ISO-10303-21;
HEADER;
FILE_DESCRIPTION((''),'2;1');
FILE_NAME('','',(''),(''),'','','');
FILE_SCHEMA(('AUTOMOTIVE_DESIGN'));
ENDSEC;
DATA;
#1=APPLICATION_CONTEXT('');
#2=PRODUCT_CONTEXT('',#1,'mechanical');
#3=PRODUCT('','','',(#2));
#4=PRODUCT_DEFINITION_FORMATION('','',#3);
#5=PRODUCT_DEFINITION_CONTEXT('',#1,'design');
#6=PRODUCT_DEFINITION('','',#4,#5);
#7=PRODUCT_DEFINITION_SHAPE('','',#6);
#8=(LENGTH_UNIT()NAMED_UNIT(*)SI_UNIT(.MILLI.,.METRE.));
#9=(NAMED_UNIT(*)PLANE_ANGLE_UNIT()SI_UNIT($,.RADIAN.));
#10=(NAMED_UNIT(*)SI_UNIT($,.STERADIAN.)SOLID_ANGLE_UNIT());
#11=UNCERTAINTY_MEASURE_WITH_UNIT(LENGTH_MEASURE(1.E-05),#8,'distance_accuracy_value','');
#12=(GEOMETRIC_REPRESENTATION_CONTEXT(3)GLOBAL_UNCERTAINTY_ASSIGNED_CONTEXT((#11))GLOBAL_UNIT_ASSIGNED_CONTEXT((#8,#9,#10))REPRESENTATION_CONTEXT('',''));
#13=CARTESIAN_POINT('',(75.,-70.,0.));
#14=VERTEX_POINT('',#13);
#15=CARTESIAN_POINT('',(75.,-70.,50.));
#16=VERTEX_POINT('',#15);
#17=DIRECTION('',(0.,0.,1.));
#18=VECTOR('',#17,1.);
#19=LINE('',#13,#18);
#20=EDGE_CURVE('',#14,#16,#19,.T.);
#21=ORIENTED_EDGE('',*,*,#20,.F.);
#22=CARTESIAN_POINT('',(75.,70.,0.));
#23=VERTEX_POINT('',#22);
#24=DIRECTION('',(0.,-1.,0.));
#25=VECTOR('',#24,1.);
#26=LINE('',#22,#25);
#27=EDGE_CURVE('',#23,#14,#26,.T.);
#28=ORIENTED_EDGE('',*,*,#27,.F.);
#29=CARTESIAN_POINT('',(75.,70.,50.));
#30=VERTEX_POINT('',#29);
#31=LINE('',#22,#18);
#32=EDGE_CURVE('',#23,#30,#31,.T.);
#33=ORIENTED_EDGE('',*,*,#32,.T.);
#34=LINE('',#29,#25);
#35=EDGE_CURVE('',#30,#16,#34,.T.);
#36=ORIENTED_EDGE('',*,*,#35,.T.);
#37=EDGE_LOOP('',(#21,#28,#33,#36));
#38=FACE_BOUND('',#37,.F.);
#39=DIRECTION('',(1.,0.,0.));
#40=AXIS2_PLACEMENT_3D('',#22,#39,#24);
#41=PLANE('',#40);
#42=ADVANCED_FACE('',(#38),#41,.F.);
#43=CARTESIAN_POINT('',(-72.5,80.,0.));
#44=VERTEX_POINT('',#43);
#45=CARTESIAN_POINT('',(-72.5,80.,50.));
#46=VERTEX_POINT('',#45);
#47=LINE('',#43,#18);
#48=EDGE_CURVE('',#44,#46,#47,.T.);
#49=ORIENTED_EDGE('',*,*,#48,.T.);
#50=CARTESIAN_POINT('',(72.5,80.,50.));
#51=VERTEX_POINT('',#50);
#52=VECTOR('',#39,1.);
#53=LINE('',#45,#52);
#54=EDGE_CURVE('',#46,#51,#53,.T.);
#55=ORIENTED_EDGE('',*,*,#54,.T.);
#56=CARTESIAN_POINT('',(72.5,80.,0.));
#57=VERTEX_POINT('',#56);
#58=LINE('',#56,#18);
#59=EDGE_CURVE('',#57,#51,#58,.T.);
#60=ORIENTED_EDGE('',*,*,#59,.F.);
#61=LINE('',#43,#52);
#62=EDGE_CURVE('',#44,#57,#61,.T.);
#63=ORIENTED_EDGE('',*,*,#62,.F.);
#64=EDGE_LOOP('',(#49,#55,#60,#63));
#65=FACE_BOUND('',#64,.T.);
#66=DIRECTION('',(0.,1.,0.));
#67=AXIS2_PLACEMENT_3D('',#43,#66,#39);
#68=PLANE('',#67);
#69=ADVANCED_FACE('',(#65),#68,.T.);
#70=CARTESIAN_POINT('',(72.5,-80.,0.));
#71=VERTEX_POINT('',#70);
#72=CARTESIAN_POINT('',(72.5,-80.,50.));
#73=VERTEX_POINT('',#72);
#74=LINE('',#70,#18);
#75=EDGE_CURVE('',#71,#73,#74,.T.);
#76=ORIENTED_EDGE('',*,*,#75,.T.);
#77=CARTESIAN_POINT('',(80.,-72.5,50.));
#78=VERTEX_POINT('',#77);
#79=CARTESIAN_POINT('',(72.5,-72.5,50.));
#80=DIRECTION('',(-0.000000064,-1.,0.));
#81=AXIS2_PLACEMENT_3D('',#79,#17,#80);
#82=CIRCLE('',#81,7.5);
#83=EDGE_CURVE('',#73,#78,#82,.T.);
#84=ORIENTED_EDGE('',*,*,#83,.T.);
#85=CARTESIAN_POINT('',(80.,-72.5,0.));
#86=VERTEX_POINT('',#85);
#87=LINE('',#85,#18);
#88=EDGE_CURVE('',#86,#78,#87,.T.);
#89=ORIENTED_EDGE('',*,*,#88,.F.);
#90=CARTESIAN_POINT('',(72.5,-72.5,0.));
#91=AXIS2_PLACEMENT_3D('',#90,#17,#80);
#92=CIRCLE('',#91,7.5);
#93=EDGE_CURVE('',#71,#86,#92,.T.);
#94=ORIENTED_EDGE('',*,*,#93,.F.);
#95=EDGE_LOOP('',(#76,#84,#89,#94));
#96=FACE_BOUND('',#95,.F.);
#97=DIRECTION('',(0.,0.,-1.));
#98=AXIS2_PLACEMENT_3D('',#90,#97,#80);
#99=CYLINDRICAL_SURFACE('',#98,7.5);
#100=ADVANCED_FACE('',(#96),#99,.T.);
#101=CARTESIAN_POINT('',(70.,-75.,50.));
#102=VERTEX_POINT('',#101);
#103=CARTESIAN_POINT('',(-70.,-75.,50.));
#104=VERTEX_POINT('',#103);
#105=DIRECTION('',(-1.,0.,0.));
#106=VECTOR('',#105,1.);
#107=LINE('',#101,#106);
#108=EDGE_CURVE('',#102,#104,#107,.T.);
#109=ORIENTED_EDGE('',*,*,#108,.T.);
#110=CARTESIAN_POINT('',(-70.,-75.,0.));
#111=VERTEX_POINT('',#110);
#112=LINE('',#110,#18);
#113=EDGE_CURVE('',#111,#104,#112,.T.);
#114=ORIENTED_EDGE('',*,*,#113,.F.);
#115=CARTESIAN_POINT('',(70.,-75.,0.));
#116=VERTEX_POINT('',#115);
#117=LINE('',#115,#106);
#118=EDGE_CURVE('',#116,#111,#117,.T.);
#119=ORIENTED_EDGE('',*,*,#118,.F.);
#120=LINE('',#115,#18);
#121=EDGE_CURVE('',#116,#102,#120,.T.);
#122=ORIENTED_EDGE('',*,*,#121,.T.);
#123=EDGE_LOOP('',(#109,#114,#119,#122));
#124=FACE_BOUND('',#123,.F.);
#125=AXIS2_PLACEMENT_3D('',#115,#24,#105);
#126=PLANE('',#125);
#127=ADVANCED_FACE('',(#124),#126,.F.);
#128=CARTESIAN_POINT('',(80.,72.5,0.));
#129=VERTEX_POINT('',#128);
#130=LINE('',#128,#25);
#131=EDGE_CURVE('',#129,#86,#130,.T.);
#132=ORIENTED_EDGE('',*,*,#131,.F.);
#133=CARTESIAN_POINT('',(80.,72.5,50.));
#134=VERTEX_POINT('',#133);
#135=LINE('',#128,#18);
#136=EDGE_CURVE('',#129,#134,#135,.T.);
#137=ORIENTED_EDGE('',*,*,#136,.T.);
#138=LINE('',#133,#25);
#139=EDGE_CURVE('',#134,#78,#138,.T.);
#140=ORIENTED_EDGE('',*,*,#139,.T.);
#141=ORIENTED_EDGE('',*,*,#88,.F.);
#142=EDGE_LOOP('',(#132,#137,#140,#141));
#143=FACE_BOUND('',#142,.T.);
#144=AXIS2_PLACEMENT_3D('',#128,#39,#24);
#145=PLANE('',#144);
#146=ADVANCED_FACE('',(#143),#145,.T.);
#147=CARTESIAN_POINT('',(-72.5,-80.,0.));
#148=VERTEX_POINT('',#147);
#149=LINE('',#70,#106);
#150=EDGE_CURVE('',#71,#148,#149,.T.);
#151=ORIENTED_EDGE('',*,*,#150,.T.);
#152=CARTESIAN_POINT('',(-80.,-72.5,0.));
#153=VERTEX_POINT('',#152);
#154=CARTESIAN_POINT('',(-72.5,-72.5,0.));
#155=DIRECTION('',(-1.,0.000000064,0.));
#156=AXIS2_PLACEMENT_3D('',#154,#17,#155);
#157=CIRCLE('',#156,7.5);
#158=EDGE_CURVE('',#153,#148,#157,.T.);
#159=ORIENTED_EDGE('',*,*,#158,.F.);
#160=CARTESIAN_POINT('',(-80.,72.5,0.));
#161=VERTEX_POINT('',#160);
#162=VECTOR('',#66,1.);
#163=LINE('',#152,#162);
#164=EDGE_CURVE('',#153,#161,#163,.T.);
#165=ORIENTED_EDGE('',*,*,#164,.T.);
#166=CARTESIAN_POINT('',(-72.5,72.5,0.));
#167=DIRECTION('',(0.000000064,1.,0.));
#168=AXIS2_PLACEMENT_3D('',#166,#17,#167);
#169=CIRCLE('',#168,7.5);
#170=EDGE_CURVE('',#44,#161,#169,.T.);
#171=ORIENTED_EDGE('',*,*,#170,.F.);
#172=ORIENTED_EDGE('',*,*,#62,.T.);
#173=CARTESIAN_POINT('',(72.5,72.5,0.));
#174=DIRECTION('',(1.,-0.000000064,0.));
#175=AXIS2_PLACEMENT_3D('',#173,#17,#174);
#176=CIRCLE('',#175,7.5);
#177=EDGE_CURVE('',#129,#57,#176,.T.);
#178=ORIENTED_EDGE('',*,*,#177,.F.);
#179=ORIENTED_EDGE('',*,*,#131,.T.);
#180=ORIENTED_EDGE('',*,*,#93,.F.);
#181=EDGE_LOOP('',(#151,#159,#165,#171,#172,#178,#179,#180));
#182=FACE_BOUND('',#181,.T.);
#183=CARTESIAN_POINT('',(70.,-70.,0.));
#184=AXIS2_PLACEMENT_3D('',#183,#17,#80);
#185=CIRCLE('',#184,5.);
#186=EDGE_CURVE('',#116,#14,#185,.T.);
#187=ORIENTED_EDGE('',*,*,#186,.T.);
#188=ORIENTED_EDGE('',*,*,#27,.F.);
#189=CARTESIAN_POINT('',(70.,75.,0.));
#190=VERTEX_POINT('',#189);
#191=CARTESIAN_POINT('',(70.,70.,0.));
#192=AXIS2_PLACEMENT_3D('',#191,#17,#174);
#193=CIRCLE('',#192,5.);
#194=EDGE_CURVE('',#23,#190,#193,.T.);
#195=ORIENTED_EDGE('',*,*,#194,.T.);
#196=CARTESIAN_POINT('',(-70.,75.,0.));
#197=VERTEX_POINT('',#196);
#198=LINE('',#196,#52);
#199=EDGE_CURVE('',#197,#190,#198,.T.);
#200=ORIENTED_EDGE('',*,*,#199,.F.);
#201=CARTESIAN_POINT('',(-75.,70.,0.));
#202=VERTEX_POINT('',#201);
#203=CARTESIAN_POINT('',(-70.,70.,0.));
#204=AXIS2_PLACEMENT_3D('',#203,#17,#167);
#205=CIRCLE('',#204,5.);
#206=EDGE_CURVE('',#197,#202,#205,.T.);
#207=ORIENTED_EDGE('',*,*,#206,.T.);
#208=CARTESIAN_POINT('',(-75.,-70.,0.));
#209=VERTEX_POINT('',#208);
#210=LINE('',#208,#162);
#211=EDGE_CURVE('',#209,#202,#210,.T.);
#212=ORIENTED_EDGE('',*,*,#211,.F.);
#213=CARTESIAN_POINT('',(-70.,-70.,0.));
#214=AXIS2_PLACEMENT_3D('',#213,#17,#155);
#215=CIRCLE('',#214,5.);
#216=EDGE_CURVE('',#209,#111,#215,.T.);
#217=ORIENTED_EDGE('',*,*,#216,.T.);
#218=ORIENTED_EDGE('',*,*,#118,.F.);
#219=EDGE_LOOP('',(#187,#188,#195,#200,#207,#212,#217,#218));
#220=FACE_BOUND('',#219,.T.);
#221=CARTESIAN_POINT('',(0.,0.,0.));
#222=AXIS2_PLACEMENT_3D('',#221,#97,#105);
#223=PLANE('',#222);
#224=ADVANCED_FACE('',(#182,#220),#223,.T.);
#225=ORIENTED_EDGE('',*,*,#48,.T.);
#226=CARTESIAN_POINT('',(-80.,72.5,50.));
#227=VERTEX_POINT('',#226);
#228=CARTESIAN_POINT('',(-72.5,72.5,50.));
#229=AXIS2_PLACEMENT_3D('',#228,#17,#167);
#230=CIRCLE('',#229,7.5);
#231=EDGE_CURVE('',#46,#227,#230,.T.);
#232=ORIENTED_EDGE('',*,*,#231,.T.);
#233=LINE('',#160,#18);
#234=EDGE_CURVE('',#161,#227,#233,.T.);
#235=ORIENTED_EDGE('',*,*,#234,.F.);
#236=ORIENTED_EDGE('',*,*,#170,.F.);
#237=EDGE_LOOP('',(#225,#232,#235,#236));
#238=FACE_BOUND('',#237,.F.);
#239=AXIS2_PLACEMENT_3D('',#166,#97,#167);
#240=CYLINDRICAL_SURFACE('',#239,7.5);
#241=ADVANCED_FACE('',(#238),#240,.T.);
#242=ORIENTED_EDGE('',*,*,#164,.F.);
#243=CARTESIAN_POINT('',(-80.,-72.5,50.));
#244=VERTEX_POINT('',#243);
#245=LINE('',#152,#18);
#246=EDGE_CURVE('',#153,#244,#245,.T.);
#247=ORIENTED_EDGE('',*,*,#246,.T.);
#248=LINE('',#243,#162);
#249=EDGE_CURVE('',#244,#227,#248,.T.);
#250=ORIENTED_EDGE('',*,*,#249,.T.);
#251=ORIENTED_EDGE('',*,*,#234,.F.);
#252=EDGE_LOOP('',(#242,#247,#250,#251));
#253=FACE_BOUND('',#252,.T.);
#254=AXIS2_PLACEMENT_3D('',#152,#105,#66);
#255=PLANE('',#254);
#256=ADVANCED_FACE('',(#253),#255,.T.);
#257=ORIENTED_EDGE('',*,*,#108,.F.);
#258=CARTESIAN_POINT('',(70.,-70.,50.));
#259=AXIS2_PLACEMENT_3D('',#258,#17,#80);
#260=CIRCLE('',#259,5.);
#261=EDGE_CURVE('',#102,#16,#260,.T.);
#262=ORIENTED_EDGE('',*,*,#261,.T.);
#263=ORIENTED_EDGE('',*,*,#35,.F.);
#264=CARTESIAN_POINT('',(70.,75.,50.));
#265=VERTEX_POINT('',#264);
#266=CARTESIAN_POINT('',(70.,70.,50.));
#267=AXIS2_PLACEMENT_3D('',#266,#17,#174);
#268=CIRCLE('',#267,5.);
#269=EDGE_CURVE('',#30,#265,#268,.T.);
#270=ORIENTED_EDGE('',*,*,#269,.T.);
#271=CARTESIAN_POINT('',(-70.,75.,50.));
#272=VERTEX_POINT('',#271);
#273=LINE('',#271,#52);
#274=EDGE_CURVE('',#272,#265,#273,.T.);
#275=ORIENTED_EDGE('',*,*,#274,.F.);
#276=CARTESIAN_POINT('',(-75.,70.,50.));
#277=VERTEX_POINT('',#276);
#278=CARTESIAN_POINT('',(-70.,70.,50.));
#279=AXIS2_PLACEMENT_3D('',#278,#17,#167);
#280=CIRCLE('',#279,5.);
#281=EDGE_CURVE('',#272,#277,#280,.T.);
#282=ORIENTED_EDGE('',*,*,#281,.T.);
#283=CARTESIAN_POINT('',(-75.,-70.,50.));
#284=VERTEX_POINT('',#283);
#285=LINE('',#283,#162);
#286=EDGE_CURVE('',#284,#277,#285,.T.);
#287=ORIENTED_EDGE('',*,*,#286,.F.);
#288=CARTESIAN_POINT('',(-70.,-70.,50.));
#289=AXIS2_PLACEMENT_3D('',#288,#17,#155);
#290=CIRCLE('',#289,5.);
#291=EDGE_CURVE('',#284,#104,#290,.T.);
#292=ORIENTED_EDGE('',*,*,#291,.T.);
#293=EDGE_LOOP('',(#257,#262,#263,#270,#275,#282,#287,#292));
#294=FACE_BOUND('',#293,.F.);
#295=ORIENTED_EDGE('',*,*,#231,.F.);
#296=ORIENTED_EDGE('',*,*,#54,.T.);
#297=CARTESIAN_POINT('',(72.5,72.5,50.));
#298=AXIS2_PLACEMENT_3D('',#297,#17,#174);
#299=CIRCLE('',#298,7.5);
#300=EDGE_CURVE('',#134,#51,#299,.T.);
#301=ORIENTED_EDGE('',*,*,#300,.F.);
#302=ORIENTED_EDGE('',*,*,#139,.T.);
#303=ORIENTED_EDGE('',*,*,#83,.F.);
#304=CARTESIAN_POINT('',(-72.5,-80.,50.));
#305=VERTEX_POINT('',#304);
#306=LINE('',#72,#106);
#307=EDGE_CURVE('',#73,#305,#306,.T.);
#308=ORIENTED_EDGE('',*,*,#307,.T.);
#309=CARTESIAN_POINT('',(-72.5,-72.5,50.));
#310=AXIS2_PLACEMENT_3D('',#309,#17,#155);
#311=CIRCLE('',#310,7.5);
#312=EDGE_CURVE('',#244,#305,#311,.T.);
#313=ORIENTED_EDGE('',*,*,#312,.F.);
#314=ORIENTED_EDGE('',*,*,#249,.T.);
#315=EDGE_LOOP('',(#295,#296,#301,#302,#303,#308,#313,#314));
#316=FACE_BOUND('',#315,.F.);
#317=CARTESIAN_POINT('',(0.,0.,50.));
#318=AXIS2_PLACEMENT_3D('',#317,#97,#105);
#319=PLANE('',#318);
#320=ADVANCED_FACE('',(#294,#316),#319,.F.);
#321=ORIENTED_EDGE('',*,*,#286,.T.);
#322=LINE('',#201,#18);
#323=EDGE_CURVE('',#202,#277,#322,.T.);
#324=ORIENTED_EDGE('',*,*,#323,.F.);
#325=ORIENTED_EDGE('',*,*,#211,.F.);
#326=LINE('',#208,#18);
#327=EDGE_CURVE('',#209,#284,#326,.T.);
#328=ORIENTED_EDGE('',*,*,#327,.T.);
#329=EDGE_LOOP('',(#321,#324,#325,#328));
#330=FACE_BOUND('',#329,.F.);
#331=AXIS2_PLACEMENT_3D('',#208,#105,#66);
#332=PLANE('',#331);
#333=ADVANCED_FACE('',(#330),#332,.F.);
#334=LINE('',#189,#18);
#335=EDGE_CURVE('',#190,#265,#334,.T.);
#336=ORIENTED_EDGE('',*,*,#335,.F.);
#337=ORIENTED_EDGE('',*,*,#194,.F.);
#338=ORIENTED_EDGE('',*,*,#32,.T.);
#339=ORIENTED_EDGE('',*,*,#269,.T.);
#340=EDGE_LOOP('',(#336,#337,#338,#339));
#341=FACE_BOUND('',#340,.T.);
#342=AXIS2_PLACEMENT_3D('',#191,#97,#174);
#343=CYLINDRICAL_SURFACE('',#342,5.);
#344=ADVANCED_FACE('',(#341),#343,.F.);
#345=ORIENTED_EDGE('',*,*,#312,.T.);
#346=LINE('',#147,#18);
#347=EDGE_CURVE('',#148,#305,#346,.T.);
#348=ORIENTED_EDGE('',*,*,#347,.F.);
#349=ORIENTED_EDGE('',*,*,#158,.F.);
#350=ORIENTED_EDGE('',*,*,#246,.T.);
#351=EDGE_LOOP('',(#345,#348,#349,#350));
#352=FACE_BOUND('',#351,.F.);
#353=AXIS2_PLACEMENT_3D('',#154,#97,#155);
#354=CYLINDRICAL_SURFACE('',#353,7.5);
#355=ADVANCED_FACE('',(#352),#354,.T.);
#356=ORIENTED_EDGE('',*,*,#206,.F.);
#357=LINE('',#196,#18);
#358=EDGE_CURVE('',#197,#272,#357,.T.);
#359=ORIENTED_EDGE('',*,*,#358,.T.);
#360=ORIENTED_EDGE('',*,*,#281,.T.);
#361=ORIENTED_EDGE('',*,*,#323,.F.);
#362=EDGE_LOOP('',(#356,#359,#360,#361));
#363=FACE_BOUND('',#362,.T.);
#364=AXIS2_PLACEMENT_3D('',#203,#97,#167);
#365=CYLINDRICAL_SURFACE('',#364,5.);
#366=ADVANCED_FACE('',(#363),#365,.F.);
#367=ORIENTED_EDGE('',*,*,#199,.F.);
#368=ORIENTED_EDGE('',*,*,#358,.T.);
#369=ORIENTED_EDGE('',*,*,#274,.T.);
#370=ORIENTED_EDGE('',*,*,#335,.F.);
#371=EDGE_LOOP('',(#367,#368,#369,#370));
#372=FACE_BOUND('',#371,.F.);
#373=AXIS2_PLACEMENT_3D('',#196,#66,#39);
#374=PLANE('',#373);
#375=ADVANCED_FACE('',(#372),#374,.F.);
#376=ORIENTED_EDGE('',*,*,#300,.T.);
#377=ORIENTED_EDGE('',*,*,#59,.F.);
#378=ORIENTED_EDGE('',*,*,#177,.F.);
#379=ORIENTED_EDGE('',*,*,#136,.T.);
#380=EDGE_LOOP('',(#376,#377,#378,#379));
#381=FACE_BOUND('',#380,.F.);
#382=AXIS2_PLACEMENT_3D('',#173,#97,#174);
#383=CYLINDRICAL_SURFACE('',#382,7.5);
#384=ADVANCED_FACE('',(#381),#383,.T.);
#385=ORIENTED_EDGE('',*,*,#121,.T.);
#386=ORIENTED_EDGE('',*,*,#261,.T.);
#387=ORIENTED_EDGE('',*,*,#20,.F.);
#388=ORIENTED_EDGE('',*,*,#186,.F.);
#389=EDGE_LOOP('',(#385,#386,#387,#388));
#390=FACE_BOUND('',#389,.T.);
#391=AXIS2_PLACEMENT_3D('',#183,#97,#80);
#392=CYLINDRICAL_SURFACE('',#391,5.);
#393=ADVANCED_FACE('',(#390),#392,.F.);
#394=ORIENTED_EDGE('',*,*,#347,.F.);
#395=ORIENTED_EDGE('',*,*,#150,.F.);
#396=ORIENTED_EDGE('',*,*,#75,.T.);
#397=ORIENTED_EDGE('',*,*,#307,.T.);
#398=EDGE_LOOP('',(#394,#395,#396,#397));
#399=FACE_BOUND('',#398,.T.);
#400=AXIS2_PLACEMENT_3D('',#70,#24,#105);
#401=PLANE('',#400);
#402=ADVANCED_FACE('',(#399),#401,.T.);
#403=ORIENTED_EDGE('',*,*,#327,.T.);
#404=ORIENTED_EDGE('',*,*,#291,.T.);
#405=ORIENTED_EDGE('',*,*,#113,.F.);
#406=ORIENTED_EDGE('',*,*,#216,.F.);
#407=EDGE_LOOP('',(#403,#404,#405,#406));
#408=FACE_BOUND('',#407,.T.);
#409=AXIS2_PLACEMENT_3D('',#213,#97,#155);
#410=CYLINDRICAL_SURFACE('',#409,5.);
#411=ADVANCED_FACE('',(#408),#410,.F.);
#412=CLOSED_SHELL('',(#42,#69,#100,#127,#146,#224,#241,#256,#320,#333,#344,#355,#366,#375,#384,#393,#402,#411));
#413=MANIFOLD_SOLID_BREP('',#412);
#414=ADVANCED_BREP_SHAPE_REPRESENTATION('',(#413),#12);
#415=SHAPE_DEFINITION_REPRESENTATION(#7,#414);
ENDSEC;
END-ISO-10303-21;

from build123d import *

# Parameters (mm, degrees)
EXTRUDE_DEPTH = 50


with BuildPart() as part:
    # Sketch → Extrude (new body)
    with BuildSketch(Plane.XY):
        with BuildLine():
            Line((-72.5, 80), (72.5, 80))
            ThreePointArc((80, 72.5), (77.803301, 77.803301), (72.5, 80))
            Line((80, 72.5), (80, -72.5))
            ThreePointArc((72.5, -80), (77.803301, -77.803301), (80, -72.5))
            Line((72.5, -80), (-72.5, -80))
            ThreePointArc((-80, -72.5), (-77.803301, -77.803301), (-72.5, -80))
            Line((-80, -72.5), (-80, 72.5))
            ThreePointArc((-72.5, 80), (-77.803301, 77.803301), (-80, 72.5))
        make_face()
        with BuildLine():
            Line((-70, 75), (70, 75))
            ThreePointArc((75, 70), (73.535534, 73.535534), (70, 75))
            Line((75, 70), (75, -70))
            ThreePointArc((70, -75), (73.535534, -73.535534), (75, -70))
            Line((70, -75), (-70, -75))
            ThreePointArc((-75, -70), (-73.535534, -73.535534), (-70, -75))
            Line((-75, -70), (-75, 70))
            ThreePointArc((-70, 75), (-73.535534, 73.535534), (-75, 70))
        make_face(mode=Mode.SUBTRACT)
    extrude(amount=EXTRUDE_DEPTH)


solid = part.part
